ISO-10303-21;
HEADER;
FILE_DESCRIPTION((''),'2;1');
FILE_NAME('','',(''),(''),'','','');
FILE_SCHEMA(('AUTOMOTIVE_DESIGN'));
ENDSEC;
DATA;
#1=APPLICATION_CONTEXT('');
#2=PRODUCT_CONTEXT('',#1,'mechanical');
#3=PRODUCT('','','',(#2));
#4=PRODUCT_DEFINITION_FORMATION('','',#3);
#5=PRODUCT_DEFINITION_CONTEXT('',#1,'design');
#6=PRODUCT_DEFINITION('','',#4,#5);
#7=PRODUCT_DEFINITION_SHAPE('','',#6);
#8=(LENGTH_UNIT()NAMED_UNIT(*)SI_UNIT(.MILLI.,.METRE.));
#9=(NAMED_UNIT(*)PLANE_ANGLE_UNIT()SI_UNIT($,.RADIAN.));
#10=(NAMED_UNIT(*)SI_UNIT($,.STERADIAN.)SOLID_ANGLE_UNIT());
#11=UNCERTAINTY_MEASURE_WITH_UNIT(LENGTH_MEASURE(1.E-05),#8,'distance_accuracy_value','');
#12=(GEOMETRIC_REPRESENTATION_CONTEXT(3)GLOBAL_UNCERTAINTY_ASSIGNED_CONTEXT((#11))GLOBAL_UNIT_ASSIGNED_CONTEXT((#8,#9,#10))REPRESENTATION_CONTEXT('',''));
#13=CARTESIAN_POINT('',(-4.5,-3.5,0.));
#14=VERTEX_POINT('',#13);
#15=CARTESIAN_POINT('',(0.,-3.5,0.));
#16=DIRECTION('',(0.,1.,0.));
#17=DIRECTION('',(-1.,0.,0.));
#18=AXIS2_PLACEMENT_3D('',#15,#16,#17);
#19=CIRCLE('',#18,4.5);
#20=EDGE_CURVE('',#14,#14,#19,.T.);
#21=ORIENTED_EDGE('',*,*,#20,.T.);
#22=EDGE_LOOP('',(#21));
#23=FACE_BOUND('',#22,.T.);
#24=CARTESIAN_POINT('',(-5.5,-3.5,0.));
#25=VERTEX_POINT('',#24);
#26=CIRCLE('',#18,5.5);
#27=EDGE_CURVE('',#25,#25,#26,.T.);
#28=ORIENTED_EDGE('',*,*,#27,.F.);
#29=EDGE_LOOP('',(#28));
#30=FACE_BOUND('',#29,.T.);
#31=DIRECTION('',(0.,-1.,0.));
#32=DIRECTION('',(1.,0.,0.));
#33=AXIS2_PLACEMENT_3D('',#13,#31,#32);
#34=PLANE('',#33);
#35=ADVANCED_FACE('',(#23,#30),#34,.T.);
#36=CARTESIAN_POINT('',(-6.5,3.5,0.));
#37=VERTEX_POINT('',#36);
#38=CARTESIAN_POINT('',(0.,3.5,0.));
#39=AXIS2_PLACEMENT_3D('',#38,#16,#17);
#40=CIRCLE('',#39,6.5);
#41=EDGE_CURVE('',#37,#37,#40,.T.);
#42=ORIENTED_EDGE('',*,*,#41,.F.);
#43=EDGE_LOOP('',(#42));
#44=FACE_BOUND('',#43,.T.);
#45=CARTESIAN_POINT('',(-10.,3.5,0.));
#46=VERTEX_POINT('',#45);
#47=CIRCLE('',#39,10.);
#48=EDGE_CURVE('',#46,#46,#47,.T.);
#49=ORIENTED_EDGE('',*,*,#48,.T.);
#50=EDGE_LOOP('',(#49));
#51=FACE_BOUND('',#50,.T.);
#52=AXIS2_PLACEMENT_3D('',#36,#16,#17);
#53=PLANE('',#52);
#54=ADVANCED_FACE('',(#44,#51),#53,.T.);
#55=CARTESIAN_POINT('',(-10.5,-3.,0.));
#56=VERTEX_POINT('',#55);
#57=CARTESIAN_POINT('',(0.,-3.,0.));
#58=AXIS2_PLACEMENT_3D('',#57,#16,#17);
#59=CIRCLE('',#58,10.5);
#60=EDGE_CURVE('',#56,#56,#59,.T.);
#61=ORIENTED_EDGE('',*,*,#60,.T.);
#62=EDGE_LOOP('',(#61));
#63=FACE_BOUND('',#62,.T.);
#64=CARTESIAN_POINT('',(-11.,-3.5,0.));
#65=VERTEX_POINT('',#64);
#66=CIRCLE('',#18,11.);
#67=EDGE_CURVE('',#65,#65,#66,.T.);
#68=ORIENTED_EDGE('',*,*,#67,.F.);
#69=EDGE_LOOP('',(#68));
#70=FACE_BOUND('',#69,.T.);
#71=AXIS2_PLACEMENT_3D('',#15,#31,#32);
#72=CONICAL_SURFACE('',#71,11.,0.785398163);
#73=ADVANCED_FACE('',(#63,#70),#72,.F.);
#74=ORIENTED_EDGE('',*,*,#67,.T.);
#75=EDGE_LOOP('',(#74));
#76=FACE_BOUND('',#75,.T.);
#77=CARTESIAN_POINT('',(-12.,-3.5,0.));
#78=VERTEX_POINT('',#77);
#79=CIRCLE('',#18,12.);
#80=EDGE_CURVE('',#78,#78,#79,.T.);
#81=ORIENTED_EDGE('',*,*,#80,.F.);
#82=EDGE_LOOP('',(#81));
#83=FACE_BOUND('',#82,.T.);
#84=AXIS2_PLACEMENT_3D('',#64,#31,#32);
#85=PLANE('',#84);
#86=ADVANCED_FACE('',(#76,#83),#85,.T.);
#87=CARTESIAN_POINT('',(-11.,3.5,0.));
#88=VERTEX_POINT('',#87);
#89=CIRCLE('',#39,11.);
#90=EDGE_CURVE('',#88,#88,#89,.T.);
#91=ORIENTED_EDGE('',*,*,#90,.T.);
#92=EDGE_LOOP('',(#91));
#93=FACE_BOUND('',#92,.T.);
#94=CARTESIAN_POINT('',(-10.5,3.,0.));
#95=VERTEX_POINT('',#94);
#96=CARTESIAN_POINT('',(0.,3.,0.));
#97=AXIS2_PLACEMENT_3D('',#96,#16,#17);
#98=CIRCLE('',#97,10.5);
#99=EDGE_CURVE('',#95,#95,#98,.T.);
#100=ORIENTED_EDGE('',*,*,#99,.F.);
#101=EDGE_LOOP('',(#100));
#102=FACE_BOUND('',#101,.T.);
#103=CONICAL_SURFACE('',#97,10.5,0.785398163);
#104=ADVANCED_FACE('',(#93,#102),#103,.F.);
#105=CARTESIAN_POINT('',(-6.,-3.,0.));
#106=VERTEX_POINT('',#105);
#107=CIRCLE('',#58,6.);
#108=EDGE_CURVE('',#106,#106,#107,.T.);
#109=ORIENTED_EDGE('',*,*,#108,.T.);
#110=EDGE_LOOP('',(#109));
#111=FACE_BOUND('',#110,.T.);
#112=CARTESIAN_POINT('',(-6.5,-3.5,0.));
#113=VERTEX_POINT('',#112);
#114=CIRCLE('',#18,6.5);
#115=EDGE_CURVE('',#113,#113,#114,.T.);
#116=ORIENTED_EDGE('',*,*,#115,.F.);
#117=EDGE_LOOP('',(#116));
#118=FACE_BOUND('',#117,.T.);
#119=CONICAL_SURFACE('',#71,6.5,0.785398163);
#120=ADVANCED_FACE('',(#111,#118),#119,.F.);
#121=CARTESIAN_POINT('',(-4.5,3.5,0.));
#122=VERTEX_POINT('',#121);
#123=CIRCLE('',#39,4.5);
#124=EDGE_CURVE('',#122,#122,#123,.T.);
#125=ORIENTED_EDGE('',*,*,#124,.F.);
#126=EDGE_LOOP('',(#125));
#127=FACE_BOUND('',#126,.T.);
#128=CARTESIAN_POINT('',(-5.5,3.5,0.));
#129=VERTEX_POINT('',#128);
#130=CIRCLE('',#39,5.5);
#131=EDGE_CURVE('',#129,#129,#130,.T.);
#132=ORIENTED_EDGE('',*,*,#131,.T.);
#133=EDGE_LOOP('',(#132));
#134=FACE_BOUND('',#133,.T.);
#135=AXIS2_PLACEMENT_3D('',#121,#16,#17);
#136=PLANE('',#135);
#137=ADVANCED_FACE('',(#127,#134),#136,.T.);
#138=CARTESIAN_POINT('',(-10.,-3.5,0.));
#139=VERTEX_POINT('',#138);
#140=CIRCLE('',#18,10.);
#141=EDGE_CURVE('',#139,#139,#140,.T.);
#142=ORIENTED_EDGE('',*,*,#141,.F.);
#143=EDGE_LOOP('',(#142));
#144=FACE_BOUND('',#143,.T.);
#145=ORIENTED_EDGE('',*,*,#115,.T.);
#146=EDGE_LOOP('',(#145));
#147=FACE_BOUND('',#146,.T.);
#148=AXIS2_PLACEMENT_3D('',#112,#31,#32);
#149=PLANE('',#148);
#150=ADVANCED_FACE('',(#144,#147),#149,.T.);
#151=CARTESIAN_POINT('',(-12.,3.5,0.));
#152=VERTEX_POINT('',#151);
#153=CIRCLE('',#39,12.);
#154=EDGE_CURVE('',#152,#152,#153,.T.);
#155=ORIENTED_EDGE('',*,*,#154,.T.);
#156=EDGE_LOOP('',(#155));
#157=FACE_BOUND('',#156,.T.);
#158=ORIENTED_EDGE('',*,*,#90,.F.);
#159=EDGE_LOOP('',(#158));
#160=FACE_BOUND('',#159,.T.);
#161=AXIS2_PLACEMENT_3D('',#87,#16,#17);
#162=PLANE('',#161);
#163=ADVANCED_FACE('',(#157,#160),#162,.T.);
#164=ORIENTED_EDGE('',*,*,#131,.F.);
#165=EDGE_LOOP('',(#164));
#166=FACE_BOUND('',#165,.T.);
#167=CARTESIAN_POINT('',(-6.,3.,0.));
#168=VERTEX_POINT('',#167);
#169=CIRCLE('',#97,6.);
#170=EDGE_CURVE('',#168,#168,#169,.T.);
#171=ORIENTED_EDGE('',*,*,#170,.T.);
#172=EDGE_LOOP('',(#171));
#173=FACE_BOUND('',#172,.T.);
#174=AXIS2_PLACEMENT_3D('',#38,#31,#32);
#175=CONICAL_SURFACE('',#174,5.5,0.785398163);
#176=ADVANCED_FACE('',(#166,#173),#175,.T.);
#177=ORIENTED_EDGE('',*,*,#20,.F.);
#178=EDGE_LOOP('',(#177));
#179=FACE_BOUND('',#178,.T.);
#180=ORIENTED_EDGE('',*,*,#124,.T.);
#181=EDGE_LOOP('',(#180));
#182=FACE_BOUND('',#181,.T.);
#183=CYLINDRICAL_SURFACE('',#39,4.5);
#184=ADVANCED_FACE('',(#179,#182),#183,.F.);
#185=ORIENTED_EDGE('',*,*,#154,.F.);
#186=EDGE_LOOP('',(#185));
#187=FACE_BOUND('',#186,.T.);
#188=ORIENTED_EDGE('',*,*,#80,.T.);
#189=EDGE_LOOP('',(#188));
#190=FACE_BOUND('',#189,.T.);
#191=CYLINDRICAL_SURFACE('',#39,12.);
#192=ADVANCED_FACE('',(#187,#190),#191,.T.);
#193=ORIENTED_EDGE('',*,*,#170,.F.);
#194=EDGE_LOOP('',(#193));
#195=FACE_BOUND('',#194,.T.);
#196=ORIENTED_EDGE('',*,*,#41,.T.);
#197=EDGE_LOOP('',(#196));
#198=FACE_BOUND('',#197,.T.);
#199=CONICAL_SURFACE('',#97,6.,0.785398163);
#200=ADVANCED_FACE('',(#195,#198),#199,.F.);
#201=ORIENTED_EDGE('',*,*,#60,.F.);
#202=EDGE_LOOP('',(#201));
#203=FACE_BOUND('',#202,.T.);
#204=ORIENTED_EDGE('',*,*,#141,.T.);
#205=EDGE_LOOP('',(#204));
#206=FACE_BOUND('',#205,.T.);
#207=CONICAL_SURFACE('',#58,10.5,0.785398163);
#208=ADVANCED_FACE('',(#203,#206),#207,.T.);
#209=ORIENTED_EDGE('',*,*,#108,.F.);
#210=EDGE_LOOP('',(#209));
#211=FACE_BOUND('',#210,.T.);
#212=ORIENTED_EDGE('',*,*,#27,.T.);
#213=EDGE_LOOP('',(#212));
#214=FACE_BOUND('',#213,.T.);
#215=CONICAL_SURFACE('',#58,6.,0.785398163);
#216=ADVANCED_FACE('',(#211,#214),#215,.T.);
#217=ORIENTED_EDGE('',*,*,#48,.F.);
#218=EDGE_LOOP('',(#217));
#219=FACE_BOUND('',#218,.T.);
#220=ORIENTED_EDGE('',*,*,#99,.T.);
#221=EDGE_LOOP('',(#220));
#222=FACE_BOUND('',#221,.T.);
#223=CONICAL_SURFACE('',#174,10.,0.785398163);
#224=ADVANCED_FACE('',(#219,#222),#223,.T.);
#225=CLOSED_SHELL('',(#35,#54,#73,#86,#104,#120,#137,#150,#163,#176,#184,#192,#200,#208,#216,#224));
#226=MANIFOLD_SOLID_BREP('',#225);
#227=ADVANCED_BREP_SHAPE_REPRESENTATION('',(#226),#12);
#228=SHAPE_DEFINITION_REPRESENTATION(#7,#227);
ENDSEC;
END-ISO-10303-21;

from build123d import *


with BuildPart() as part:
    # Sketch1 → Revolve1 (revolve)
    with BuildSketch(Plane.XY):
        Polygon((-4.5, 3.5), (-5.5, 3.5), (-6, 3), (-6.5, 3.5), (-10, 3.5), (-10.5, 3), (-11, 3.5), (-12, 3.5), (-12, -3.5), (-11, -3.5), (-10.5, -3), (-10, -3.5), (-6.5, -3.5), (-6, -3), (-5.5, -3.5), (-4.5, -3.5), align=None)
    revolve(axis=Axis((0, 3.5, 0), (0, -1, 0)))


solid = part.part
